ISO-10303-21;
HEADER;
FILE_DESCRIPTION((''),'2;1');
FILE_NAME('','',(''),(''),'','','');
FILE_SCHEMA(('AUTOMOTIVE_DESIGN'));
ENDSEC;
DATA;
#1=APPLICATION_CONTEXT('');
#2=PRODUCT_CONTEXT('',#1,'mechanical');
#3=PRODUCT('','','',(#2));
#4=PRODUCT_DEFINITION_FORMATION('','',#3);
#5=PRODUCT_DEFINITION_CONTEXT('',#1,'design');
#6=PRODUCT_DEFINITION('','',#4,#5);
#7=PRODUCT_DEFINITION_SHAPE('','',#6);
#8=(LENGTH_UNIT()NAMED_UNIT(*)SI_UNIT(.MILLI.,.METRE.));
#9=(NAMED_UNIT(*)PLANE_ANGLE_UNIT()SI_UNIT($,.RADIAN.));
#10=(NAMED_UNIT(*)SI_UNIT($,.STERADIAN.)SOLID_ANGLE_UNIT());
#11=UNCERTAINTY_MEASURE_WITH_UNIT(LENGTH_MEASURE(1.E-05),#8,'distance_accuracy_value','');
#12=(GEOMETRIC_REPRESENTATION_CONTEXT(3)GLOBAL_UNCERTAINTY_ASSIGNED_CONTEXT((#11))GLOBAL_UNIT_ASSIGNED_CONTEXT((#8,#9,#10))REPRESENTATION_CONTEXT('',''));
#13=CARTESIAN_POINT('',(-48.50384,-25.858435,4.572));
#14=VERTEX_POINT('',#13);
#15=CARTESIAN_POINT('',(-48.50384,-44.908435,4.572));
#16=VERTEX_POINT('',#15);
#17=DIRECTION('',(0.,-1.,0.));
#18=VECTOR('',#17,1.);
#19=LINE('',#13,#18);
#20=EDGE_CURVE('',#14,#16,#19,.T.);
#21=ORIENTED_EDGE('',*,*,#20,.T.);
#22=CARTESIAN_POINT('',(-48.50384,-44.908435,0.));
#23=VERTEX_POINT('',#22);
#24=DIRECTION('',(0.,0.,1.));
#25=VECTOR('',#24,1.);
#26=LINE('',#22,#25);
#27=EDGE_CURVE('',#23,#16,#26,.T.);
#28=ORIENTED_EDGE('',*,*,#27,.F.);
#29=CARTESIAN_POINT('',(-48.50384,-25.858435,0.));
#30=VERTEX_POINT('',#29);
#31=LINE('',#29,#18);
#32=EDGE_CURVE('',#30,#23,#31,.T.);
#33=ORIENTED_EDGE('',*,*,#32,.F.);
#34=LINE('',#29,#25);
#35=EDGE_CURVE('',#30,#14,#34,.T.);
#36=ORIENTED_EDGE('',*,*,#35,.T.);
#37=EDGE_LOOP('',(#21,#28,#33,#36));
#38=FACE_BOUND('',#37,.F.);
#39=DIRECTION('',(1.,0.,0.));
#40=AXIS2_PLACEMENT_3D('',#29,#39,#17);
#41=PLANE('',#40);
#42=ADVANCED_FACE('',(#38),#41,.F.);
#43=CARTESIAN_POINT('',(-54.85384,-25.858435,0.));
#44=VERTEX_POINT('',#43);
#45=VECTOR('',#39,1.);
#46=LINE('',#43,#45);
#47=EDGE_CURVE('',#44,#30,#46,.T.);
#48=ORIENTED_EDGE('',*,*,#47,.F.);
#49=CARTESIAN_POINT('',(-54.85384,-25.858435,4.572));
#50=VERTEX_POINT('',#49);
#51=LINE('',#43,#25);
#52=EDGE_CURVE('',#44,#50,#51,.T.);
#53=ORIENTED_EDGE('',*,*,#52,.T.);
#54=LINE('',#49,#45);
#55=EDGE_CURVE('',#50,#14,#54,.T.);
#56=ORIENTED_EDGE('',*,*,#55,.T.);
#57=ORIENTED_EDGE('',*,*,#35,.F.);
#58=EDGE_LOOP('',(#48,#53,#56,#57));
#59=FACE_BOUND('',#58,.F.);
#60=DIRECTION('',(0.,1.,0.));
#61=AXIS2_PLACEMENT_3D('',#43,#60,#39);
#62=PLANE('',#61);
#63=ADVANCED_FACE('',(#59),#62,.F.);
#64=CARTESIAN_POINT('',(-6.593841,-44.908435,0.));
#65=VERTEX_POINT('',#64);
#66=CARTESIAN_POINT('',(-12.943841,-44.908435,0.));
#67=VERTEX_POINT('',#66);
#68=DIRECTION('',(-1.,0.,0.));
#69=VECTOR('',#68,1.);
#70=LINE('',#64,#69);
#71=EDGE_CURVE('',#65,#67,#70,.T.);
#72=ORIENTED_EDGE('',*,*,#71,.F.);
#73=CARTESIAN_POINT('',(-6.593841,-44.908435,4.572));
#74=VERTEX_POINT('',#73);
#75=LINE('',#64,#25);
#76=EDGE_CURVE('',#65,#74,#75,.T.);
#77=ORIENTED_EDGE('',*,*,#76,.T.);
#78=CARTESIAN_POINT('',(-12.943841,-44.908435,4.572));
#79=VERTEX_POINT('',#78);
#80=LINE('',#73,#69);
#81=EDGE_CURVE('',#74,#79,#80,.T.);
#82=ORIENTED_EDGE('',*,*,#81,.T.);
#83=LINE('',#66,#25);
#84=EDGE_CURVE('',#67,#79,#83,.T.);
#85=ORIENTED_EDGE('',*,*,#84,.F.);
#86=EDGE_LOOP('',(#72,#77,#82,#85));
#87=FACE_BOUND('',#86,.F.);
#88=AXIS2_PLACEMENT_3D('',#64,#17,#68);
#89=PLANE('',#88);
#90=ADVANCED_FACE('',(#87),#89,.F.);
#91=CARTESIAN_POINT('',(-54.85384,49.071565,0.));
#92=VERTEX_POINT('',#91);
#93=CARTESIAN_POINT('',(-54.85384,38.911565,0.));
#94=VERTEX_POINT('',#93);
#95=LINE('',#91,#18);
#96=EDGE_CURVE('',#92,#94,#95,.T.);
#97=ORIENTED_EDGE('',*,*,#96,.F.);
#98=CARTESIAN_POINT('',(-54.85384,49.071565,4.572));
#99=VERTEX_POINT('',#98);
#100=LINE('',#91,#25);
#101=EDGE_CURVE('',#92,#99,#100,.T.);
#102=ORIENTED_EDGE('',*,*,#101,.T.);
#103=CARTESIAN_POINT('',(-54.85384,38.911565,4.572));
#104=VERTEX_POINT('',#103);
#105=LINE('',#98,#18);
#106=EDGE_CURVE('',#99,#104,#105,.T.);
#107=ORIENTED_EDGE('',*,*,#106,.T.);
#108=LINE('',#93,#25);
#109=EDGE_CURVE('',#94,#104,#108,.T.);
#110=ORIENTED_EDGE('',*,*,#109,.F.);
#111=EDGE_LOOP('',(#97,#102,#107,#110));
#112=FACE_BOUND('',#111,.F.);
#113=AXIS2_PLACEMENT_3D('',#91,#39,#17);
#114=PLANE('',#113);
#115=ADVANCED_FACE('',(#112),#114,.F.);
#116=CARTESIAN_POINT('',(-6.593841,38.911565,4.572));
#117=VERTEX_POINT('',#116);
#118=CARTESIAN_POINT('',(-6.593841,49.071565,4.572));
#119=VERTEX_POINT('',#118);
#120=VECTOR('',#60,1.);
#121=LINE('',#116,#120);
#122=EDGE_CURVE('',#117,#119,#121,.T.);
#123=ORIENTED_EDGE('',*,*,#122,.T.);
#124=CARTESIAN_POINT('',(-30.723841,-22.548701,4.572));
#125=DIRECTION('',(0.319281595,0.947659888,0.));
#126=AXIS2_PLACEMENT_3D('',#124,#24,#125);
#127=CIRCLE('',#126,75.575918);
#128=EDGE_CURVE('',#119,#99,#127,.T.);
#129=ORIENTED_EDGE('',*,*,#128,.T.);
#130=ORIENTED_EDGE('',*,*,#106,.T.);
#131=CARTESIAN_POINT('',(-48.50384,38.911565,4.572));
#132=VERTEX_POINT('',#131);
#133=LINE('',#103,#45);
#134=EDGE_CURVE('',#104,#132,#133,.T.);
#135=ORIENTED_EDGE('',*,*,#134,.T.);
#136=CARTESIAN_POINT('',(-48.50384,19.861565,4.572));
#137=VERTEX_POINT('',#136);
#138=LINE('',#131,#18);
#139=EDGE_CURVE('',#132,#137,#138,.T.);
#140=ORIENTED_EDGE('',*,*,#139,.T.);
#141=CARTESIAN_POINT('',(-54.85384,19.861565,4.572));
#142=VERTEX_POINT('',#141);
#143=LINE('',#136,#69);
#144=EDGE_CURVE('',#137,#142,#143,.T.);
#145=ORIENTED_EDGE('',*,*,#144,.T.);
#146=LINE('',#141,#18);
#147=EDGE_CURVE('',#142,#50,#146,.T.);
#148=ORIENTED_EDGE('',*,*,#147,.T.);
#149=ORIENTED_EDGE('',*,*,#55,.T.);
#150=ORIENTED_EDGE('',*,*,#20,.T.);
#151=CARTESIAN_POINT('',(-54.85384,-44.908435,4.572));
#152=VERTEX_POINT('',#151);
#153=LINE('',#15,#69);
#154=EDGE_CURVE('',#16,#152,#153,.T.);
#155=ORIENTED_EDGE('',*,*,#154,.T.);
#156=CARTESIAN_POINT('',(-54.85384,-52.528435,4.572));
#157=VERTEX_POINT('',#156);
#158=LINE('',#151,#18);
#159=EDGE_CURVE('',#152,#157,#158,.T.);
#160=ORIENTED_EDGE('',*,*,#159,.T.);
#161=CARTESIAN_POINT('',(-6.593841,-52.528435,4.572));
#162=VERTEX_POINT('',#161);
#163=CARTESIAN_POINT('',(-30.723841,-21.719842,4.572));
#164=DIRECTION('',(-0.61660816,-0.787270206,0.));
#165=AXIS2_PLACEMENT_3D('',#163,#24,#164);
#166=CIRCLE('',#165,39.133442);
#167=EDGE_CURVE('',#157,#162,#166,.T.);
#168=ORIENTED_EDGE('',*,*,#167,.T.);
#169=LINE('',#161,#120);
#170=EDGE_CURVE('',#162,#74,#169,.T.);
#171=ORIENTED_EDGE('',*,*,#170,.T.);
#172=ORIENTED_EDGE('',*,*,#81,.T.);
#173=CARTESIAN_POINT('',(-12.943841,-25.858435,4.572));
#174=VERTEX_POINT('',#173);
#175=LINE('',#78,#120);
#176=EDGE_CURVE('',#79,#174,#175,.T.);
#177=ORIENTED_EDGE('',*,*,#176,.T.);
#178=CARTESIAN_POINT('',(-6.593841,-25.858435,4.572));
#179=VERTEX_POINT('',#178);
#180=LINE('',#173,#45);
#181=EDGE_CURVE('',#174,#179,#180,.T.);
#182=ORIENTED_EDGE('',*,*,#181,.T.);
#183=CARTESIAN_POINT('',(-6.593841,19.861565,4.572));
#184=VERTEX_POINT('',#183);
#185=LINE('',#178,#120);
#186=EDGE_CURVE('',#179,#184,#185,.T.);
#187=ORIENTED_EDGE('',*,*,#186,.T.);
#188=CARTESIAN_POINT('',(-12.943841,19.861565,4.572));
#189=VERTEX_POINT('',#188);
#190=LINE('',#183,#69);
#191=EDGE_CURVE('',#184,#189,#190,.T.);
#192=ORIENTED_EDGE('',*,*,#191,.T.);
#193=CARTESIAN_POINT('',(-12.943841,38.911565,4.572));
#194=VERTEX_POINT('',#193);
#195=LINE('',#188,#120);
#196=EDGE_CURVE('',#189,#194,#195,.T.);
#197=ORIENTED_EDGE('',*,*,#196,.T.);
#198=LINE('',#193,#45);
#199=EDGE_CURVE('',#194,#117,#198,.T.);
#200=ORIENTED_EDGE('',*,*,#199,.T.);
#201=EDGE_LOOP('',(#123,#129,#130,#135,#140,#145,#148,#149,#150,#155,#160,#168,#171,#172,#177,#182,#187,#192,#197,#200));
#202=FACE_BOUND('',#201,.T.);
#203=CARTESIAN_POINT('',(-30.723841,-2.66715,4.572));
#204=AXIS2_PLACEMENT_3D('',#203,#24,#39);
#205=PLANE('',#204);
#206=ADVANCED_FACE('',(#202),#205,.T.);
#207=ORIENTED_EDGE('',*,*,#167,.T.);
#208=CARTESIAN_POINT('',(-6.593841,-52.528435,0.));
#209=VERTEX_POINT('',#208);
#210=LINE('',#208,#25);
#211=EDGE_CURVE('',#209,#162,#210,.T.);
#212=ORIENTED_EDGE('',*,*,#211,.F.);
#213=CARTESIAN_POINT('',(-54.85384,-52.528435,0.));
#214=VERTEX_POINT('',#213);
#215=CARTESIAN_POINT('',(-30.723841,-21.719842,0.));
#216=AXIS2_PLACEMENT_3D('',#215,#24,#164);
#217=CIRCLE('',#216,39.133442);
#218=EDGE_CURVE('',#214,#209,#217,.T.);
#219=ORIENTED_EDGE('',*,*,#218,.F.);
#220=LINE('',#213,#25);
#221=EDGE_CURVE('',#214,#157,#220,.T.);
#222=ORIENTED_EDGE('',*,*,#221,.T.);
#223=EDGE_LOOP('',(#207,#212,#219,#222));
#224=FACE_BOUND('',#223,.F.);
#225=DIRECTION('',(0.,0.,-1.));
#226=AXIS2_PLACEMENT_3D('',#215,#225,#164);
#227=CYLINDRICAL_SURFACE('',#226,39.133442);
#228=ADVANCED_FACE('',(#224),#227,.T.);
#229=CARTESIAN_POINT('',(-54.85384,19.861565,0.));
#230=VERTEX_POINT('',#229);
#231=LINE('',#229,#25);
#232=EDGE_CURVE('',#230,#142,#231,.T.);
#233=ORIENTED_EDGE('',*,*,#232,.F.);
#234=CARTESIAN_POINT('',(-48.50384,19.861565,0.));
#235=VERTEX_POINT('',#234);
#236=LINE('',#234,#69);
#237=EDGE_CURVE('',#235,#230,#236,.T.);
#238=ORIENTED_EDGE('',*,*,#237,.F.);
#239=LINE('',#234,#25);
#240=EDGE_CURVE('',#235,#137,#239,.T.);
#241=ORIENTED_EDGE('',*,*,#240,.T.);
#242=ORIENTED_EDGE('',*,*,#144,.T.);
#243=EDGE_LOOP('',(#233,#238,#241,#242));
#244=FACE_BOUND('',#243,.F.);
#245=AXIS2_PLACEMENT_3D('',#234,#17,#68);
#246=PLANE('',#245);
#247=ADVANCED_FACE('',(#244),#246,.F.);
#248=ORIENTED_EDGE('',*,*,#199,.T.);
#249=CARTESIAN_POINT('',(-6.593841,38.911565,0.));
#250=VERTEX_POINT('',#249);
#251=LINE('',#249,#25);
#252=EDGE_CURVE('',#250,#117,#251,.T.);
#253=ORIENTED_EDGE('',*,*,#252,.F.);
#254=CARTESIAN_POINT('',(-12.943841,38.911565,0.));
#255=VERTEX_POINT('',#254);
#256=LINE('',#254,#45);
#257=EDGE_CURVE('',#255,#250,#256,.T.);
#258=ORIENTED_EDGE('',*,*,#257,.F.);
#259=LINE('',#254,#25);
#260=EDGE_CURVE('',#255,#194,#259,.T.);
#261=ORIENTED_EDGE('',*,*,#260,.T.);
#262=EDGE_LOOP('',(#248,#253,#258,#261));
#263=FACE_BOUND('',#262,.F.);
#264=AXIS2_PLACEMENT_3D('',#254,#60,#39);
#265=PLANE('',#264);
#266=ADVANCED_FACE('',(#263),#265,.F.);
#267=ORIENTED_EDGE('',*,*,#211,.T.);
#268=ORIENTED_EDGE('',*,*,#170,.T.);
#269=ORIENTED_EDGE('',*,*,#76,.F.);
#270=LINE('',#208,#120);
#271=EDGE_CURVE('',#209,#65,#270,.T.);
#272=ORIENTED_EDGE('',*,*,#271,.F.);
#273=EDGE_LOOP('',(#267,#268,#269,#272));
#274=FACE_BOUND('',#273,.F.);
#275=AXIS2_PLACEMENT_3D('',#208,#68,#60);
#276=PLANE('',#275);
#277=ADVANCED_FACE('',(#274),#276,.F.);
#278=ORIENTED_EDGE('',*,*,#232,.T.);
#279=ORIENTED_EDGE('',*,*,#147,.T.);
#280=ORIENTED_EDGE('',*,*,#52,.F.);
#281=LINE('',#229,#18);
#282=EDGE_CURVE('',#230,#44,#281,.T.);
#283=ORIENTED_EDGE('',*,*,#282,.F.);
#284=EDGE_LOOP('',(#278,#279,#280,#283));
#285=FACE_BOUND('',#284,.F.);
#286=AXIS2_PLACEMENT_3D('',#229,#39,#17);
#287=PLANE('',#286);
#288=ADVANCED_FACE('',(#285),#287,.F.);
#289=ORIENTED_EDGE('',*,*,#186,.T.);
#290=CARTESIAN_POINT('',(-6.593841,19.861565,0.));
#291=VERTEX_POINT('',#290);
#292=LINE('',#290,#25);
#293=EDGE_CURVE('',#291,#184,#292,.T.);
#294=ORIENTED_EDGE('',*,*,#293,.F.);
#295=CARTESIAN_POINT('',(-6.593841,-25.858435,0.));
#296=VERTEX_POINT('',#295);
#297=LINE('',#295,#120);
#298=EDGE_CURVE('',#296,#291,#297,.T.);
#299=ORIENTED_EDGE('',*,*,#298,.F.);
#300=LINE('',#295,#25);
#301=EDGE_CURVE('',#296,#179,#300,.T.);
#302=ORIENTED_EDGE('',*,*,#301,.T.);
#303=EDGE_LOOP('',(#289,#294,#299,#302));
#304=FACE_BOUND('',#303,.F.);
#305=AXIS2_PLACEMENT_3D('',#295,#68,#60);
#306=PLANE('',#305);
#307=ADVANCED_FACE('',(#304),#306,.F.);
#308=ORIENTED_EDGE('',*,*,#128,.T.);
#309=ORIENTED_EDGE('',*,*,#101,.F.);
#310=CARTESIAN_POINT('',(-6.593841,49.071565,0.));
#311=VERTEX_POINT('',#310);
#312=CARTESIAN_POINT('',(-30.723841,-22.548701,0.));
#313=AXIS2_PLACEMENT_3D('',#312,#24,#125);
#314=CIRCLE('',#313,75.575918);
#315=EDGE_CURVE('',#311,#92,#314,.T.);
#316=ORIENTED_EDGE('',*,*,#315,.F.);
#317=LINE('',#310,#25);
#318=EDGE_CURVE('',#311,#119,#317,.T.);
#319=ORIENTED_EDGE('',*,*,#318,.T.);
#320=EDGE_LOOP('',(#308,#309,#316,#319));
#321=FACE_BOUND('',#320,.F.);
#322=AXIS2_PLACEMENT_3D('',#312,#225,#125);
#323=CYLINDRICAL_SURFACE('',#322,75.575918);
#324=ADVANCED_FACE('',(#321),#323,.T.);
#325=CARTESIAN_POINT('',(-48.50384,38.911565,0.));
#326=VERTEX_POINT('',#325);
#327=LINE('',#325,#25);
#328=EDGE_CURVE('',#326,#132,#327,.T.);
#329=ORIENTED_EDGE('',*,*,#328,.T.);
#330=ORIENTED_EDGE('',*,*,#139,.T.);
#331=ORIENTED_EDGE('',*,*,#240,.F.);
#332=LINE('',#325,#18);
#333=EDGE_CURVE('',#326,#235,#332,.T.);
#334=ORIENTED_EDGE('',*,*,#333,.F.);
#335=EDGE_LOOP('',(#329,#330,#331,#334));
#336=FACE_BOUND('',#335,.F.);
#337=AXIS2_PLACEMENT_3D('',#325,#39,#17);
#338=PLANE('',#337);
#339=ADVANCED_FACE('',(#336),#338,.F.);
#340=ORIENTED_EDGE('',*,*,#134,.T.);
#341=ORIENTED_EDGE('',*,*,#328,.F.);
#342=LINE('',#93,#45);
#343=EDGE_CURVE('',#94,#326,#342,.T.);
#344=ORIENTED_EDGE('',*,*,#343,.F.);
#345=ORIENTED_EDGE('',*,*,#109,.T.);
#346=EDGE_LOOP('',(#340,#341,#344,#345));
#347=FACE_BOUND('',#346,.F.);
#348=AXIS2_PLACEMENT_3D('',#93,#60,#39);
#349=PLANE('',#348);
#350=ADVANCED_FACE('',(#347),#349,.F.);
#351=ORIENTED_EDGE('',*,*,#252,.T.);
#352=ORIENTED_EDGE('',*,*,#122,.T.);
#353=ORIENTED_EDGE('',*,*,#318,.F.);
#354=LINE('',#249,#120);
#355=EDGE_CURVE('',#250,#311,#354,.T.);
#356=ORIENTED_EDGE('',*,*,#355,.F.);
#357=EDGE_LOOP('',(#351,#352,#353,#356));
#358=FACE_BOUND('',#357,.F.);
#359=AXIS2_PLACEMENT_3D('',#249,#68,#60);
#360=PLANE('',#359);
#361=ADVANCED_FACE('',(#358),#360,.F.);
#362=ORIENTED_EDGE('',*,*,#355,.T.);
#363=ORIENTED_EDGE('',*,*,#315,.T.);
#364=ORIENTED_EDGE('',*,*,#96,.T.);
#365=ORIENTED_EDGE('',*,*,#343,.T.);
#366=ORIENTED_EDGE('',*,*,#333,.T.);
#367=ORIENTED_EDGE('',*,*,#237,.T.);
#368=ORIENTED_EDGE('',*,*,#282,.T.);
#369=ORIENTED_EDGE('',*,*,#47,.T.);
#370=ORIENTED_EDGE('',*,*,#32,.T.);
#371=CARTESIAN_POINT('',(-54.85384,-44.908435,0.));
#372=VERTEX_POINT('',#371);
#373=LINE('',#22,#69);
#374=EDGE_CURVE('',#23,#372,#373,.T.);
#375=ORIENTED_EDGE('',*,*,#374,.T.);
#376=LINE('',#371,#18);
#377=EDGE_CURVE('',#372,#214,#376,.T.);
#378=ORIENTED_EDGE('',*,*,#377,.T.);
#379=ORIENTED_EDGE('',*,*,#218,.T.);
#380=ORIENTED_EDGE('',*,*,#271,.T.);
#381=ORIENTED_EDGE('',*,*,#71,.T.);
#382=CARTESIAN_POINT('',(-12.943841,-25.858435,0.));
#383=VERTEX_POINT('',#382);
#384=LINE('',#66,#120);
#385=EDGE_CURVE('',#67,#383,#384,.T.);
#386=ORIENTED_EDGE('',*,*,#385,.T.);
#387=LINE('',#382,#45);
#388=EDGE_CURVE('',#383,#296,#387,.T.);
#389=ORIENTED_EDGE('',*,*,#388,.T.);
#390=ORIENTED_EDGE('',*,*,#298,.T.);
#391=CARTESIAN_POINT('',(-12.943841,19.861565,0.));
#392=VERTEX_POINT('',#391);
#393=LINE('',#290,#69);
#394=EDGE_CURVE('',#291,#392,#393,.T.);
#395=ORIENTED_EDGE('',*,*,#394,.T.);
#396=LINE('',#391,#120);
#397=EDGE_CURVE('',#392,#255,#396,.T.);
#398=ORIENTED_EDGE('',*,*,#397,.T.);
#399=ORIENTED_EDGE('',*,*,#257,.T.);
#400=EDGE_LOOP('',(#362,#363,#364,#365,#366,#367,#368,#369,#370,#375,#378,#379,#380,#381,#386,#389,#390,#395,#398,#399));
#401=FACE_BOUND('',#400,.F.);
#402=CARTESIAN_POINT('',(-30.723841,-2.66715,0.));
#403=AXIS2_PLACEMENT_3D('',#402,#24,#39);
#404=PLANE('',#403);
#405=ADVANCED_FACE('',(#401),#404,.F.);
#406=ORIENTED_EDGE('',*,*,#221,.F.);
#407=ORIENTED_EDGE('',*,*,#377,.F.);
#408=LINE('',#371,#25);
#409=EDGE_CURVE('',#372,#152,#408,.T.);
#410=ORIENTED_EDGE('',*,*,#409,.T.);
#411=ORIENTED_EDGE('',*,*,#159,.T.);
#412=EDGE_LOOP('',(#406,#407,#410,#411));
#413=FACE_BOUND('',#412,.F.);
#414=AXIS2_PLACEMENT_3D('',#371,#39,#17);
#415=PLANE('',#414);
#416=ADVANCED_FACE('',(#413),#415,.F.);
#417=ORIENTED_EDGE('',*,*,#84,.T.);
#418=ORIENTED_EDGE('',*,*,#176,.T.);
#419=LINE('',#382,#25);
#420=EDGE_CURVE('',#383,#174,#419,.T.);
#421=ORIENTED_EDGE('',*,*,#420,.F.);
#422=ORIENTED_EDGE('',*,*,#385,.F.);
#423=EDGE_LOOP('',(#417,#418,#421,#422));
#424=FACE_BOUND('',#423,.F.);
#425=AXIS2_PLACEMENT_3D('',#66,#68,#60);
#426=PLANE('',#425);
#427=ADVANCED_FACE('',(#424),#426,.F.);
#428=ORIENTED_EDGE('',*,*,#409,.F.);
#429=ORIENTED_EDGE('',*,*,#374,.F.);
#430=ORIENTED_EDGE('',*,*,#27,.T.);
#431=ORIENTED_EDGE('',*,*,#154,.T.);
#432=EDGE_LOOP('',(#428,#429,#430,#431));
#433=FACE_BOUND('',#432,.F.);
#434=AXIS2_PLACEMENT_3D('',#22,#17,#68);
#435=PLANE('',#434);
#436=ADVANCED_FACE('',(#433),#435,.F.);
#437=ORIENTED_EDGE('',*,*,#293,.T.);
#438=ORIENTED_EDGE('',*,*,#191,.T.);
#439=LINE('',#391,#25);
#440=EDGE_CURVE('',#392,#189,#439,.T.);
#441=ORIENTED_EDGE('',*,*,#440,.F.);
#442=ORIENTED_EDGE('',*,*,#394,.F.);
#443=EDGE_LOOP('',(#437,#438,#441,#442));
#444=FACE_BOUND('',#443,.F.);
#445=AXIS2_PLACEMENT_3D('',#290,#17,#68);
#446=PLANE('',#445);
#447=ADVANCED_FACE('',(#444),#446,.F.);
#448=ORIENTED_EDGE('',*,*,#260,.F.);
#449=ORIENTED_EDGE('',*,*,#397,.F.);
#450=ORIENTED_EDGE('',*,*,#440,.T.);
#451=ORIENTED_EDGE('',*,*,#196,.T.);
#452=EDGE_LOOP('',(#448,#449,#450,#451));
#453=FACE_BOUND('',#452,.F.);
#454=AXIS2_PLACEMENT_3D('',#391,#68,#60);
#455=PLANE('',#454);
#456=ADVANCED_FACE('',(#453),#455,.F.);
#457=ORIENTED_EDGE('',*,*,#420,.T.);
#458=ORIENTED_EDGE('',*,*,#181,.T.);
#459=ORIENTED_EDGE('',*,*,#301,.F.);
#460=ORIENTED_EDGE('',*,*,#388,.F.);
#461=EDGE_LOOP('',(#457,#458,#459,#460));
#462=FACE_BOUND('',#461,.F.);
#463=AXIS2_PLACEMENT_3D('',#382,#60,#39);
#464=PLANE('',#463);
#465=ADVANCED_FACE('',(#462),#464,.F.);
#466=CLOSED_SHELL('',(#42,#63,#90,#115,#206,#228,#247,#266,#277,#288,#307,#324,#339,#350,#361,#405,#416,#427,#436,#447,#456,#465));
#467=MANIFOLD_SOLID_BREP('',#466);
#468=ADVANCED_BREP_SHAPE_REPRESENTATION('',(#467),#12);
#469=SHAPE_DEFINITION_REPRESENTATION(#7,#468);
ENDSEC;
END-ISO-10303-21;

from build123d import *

# Parameters (mm, degrees)
F1_DEPTH = 4.572


with BuildPart() as f1:
    # F0 (on Top) → F1 (new body)
    with BuildSketch(Plane.XY):
        with BuildLine():
            ThreePointArc((-6.593841, 49.071565), (-30.72384, 53.027217), (-54.85384, 49.071565))
            Line((-54.85384, 49.071565), (-54.85384, 38.911565))
            Line((-54.85384, 38.911565), (-48.50384, 38.911565))
            Line((-48.50384, 38.911565), (-48.50384, 19.861565))
            Line((-48.50384, 19.861565), (-54.85384, 19.861565))
            Line((-54.85384, 19.861565), (-54.85384, -25.858435))
            Line((-54.85384, -25.858435), (-48.50384, -25.858435))
            Line((-48.50384, -25.858435), (-48.50384, -44.908435))
            Line((-48.50384, -44.908435), (-54.85384, -44.908435))
            Line((-54.85384, -44.908435), (-54.85384, -52.528435))
            ThreePointArc((-54.85384, -52.528435), (-30.72384, -60.853284), (-6.593841, -52.528435))
            Line((-6.593841, -52.528435), (-6.593841, -44.908435))
            Line((-6.593841, -44.908435), (-12.943841, -44.908435))
            Line((-12.943841, -44.908435), (-12.943841, -25.858435))
            Line((-12.943841, -25.858435), (-6.593841, -25.858435))
            Line((-6.593841, -25.858435), (-6.593841, 19.861565))
            Line((-6.593841, 19.861565), (-12.943841, 19.861565))
            Line((-12.943841, 19.861565), (-12.943841, 38.911565))
            Line((-12.943841, 38.911565), (-6.593841, 38.911565))
            Line((-6.593841, 38.911565), (-6.593841, 49.071565))
        make_face()
    extrude(amount=F1_DEPTH)


solid = f1.part
